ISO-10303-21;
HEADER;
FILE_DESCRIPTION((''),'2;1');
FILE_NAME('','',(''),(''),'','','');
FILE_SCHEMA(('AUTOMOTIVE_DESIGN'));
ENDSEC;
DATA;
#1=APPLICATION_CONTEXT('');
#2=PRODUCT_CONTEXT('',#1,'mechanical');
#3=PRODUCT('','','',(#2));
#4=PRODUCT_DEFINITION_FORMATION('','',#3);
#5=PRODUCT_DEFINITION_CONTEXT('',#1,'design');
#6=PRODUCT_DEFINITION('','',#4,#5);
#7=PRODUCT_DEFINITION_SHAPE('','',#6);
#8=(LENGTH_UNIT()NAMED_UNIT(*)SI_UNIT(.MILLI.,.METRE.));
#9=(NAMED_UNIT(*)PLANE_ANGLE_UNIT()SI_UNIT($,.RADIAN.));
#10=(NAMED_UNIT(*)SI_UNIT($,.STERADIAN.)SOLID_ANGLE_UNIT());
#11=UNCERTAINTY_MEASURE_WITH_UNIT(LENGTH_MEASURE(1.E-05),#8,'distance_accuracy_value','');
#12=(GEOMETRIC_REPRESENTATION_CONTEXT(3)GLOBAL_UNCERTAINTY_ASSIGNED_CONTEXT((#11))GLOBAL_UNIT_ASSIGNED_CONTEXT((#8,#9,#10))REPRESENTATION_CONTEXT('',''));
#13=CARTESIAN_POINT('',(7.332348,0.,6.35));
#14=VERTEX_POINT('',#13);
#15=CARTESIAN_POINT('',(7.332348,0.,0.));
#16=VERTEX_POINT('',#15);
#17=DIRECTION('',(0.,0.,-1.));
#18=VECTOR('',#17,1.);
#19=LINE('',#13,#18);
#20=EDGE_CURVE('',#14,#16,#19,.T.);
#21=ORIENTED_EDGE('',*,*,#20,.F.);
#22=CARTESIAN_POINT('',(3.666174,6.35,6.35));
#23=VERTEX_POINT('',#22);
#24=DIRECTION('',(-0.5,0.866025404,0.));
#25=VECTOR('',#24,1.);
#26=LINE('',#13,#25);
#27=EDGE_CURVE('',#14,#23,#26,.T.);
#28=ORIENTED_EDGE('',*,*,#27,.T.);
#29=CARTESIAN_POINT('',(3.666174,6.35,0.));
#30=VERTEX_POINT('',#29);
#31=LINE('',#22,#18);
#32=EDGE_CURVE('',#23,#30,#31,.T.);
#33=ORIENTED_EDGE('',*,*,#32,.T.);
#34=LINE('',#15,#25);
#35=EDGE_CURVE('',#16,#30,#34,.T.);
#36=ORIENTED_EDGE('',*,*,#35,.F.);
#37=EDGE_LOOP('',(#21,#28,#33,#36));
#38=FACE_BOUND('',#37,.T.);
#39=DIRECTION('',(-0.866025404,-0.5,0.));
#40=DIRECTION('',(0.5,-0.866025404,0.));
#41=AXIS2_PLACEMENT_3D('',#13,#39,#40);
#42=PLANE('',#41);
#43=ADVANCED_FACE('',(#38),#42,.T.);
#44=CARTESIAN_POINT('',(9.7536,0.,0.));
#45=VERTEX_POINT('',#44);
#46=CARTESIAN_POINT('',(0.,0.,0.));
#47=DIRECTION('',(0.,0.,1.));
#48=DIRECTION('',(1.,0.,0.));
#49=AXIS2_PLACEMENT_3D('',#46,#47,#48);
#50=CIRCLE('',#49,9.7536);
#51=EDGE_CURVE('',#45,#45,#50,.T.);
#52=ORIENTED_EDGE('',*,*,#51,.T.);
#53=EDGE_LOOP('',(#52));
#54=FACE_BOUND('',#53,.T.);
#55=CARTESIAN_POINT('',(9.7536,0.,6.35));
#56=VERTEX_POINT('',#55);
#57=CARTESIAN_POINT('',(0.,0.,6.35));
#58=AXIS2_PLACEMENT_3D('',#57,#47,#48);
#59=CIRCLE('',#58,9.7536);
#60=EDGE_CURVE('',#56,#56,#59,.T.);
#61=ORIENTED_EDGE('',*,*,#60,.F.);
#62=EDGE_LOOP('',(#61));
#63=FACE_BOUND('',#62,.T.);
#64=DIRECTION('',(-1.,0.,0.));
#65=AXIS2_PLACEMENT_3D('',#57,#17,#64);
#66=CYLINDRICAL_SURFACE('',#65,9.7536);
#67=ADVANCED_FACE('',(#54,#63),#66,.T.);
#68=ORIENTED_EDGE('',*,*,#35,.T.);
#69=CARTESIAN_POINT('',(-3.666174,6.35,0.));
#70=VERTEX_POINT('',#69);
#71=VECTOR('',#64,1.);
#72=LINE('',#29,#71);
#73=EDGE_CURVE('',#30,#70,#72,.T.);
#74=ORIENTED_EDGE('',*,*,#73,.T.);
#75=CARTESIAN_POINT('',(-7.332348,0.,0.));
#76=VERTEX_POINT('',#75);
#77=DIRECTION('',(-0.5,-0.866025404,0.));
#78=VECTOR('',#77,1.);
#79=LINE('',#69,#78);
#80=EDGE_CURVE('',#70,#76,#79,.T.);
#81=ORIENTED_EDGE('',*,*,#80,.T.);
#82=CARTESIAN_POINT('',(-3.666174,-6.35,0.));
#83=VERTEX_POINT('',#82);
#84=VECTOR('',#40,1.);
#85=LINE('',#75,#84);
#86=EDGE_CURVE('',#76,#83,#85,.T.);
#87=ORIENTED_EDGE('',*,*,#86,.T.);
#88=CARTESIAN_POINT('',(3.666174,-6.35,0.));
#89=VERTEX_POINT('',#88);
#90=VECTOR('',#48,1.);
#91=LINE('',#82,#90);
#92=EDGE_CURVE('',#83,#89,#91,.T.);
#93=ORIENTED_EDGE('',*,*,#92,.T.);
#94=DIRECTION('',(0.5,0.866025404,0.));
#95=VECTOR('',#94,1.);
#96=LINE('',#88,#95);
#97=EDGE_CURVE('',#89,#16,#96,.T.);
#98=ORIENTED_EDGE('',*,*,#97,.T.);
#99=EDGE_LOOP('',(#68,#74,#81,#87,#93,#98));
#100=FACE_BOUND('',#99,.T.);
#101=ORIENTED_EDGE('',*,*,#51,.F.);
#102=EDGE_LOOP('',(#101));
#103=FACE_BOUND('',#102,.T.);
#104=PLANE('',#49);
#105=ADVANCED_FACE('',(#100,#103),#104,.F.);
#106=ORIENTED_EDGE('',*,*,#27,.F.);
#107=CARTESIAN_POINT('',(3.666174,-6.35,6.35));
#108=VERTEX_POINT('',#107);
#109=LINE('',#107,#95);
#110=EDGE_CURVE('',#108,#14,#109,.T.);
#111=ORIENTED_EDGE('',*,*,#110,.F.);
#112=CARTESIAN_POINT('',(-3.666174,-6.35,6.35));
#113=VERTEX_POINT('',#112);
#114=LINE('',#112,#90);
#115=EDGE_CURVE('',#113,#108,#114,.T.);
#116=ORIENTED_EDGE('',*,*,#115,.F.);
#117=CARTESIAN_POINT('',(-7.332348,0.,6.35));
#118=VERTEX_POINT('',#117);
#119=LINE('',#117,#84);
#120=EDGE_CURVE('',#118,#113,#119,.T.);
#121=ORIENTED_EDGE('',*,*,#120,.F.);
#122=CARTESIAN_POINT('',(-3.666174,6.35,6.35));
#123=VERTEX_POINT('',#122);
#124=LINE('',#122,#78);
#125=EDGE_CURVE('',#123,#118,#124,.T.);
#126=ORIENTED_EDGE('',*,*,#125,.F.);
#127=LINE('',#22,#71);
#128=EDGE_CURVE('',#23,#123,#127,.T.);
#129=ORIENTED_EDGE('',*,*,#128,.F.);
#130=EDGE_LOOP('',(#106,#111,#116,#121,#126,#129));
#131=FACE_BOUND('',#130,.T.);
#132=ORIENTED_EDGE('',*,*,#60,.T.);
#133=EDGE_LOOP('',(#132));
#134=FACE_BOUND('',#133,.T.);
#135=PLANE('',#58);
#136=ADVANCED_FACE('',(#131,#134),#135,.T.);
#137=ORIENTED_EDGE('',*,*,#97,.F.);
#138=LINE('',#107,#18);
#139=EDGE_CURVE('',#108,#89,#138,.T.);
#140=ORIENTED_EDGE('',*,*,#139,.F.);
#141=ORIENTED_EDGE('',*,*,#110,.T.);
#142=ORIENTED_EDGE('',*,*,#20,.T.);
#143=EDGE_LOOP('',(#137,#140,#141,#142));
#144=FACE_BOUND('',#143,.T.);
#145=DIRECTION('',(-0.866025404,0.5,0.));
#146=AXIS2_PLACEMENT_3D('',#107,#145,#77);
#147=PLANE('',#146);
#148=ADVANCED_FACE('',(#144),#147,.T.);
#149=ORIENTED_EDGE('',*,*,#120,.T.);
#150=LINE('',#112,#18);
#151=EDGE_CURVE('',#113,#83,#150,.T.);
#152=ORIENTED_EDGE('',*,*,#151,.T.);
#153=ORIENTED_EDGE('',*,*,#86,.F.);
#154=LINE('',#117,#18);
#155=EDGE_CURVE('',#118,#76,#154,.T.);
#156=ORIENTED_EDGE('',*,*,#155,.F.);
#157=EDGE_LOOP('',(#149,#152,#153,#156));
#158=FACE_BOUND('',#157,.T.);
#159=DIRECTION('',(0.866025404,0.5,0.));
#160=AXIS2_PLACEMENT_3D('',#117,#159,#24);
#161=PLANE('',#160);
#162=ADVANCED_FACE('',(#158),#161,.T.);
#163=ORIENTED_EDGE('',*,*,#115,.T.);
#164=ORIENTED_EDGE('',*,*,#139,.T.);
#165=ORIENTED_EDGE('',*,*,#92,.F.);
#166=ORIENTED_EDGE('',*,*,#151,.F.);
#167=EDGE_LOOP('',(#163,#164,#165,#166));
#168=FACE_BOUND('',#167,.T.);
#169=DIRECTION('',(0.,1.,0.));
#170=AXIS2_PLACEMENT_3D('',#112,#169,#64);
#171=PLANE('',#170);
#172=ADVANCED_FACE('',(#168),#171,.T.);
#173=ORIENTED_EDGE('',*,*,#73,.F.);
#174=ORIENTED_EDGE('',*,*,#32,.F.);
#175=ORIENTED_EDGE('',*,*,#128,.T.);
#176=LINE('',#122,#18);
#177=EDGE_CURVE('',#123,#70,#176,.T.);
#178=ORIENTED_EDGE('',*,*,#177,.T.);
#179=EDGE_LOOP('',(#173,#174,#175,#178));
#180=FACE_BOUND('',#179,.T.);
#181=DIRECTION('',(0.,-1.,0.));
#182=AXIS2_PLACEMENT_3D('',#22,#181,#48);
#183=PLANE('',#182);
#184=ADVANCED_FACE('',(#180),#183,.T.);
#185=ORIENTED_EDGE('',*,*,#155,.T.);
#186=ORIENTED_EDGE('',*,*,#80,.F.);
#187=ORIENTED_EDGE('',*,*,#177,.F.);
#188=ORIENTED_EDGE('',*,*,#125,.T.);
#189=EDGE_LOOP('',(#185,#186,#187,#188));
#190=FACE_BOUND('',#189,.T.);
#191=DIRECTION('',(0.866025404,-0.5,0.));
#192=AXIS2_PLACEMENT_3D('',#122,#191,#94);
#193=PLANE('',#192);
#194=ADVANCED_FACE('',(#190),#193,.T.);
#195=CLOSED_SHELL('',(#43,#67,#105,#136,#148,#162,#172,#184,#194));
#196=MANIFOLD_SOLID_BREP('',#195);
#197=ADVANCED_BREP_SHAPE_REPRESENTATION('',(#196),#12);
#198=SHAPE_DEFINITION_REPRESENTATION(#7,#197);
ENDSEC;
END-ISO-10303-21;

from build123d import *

# Parameters (mm, degrees)
SKETCH1_R           = 9.7536
BOSS_EXTRUDE1_DEPTH = 6.35


with BuildPart() as part:
    # Sketch1 → Boss-Extrude1 (new body)
    with BuildSketch(Plane.XY):
        Circle(SKETCH1_R)
        Polygon((-7.332348419, 0), (-3.666174209, -6.35), (3.666174209, -6.35), (7.332348419, 0), (3.666174209, 6.35), (-3.666174209, 6.35), align=None, mode=Mode.SUBTRACT)
    extrude(amount=BOSS_EXTRUDE1_DEPTH)


solid = part.part
